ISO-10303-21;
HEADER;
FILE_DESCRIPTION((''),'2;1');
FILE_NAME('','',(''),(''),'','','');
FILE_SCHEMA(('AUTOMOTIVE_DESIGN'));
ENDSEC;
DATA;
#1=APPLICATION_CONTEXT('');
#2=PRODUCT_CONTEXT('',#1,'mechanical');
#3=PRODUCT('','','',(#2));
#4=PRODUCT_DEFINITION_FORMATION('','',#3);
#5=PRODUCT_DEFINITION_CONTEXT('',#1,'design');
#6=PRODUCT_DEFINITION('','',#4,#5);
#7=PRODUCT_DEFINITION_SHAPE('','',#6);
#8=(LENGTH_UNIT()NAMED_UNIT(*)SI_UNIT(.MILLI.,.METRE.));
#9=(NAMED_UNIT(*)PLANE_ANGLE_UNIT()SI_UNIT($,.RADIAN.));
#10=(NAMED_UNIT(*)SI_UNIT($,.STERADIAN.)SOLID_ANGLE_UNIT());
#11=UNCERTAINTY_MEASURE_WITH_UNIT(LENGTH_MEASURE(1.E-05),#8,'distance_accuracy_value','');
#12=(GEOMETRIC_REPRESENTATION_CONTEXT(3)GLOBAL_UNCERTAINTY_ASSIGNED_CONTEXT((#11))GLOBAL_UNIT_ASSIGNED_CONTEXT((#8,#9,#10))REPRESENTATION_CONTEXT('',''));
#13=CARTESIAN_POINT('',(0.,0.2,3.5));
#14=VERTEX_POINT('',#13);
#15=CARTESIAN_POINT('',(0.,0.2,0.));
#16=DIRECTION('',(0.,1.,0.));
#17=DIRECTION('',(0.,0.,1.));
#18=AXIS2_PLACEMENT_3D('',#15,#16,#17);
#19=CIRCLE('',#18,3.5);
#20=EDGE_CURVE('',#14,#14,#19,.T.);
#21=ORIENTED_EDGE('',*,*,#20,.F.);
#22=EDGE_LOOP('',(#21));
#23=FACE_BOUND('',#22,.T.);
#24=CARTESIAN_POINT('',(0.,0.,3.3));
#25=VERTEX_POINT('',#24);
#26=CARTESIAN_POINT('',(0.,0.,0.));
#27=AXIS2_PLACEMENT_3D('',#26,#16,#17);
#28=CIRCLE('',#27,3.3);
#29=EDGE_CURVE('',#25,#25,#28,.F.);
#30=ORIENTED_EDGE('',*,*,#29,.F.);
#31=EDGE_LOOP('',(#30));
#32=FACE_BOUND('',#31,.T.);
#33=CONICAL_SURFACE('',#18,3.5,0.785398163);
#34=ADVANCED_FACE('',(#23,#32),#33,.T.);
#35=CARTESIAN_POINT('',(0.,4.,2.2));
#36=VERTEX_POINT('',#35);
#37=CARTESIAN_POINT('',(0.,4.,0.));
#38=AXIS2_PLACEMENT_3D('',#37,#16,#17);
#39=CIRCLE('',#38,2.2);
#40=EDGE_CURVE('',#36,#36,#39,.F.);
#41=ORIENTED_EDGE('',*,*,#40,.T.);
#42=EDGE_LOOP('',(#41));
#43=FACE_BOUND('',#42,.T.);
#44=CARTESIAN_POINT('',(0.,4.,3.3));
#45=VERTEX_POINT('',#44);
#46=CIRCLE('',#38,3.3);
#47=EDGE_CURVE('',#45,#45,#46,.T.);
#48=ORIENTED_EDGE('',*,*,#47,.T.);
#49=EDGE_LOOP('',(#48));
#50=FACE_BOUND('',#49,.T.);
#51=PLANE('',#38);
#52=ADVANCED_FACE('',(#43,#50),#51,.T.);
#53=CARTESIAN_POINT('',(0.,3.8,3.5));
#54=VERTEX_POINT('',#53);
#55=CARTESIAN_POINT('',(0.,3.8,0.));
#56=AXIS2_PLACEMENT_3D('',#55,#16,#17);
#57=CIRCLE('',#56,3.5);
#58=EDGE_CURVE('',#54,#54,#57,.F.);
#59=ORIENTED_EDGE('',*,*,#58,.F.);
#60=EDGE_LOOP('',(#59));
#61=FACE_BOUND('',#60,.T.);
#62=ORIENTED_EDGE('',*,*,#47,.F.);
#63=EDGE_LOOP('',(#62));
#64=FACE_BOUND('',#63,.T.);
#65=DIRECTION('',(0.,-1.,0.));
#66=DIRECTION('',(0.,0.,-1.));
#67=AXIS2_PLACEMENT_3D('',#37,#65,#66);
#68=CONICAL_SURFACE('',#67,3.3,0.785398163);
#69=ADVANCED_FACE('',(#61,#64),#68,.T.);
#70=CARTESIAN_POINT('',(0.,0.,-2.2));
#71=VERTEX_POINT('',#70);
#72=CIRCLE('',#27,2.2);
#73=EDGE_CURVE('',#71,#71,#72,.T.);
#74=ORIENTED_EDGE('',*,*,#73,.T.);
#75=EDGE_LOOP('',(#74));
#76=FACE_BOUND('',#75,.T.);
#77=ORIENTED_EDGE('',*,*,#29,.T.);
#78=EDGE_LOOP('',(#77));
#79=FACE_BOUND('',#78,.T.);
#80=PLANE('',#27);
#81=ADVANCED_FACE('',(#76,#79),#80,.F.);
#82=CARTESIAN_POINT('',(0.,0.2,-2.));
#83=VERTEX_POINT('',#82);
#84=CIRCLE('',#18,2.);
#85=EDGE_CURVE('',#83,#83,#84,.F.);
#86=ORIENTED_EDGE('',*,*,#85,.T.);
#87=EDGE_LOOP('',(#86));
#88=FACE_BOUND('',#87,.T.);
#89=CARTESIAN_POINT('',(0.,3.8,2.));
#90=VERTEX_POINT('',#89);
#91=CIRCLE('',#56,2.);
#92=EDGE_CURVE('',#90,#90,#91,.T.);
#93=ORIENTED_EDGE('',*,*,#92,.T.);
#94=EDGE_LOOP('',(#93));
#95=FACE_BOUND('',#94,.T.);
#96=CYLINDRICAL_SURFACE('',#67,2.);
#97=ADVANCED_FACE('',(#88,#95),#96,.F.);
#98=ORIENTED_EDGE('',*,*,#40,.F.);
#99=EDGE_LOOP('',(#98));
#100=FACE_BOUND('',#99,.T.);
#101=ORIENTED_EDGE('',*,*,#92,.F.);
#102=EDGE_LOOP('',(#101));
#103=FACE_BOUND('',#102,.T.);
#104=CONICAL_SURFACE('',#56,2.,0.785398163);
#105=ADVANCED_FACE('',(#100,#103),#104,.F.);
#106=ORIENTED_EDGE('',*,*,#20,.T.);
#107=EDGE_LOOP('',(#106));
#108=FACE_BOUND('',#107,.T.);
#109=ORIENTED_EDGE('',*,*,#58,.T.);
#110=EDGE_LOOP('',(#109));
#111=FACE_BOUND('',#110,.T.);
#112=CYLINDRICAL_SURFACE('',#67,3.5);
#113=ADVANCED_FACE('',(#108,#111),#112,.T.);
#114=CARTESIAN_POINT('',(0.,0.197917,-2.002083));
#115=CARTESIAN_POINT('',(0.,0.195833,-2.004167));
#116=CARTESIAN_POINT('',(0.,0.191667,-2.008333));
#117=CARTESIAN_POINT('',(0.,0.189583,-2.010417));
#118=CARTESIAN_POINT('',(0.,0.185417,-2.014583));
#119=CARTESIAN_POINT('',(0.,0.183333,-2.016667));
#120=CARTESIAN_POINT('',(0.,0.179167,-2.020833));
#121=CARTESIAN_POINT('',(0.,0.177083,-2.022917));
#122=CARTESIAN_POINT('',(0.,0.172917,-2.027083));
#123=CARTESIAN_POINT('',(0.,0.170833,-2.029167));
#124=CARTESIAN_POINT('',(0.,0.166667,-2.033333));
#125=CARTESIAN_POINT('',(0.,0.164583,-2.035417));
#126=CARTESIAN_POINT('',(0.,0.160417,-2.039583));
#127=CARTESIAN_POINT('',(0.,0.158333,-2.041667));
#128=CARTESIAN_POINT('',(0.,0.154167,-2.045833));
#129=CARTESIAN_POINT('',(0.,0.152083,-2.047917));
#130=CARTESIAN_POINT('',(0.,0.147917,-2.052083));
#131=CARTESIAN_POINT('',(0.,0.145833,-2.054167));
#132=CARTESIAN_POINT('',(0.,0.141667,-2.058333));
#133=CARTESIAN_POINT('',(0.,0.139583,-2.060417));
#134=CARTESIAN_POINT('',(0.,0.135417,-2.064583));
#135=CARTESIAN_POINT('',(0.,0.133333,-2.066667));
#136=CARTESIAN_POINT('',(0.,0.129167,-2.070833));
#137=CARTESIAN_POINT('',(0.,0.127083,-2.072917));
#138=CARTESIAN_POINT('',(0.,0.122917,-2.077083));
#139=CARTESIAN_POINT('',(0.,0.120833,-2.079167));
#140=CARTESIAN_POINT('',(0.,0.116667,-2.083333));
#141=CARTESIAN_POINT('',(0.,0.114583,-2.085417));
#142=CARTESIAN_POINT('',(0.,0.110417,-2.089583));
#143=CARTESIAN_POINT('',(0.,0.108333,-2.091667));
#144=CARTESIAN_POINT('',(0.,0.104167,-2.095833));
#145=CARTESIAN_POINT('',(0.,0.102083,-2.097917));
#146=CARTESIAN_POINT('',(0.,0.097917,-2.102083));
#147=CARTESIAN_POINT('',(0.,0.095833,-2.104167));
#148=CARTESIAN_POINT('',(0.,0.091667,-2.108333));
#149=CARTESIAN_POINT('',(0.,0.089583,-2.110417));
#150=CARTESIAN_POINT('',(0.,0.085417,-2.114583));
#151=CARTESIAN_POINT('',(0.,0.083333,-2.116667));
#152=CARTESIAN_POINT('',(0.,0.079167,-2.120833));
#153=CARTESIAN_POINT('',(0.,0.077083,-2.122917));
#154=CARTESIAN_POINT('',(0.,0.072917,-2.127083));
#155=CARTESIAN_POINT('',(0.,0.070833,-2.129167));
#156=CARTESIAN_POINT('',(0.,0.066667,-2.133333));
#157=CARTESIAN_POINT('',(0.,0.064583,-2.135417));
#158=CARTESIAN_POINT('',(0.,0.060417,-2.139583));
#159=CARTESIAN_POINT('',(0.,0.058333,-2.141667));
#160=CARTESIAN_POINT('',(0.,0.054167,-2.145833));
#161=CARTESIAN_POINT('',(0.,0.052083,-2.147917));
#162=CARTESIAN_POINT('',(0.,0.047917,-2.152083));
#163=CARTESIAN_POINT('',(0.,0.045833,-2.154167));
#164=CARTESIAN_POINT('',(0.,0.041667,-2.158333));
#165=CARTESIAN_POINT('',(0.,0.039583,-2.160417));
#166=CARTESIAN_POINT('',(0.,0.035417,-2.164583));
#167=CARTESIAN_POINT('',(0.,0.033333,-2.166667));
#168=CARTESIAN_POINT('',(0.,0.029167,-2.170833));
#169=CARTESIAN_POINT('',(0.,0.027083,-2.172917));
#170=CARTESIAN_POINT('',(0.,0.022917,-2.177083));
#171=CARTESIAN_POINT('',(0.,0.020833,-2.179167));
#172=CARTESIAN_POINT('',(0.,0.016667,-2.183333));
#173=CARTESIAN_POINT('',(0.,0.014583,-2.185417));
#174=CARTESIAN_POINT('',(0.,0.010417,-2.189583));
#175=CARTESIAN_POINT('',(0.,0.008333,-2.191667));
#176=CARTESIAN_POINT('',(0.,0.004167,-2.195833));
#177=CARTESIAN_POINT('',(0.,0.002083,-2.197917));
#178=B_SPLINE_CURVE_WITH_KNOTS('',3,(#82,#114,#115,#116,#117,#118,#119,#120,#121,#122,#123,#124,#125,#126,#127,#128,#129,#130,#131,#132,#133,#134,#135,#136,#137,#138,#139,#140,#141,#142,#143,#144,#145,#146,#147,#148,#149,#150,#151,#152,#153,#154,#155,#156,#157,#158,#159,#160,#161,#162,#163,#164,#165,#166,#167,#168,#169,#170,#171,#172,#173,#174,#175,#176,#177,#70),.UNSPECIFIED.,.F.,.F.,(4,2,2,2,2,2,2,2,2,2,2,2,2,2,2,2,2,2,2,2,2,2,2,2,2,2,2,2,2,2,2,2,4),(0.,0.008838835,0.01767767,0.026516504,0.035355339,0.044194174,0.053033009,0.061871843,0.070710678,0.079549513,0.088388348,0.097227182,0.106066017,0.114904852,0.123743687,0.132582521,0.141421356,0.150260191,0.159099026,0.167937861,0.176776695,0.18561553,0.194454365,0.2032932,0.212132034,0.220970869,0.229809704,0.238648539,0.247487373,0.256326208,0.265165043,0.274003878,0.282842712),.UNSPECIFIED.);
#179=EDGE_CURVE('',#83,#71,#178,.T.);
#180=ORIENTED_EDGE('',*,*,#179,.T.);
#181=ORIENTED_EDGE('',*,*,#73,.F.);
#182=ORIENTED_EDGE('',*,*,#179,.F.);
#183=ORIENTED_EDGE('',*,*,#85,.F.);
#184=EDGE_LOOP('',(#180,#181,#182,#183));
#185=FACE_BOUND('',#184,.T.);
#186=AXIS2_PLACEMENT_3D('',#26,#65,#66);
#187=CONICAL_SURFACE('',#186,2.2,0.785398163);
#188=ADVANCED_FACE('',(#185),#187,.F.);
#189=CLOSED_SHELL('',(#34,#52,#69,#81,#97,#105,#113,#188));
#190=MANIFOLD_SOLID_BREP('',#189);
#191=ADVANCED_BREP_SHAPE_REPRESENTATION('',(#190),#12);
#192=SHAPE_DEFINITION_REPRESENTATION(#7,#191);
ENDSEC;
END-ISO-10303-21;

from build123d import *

# Parameters (mm, degrees)
SZKIC1_R                    = 3.5
SZKIC1_R_2                  = 2
DODANIE_WYCI_GNI_CIE1_DEPTH = 4
SFAZOWANIE1_SIZE            = 0.2


with BuildPart() as part:
    # Szkic1 → Dodanie-wyciągnięcie1 (new body)
    with BuildSketch(Plane(origin=(0, 0, 0), x_dir=(1, 0, 0), z_dir=(0, 1, 0))):
        with Locations(Location((0, 0, 0), (0, 0, 270))):
            Circle(SZKIC1_R)
        with Locations(Location((0, 0, 0), (0, 0, 270))):
            Circle(SZKIC1_R_2, mode=Mode.SUBTRACT)
    extrude(amount=DODANIE_WYCI_GNI_CIE1_DEPTH)

    # Sfazowanie1
    sfazowanie1_edges = [part.edges().sort_by_distance(p)[0] for p in [
        (0, 0, -3.5),
        (0, 4, -3.5),
        (0, 0, -2),
        (0, 4, -2),
    ]]
    chamfer(sfazowanie1_edges, length=SFAZOWANIE1_SIZE)


solid = part.part
